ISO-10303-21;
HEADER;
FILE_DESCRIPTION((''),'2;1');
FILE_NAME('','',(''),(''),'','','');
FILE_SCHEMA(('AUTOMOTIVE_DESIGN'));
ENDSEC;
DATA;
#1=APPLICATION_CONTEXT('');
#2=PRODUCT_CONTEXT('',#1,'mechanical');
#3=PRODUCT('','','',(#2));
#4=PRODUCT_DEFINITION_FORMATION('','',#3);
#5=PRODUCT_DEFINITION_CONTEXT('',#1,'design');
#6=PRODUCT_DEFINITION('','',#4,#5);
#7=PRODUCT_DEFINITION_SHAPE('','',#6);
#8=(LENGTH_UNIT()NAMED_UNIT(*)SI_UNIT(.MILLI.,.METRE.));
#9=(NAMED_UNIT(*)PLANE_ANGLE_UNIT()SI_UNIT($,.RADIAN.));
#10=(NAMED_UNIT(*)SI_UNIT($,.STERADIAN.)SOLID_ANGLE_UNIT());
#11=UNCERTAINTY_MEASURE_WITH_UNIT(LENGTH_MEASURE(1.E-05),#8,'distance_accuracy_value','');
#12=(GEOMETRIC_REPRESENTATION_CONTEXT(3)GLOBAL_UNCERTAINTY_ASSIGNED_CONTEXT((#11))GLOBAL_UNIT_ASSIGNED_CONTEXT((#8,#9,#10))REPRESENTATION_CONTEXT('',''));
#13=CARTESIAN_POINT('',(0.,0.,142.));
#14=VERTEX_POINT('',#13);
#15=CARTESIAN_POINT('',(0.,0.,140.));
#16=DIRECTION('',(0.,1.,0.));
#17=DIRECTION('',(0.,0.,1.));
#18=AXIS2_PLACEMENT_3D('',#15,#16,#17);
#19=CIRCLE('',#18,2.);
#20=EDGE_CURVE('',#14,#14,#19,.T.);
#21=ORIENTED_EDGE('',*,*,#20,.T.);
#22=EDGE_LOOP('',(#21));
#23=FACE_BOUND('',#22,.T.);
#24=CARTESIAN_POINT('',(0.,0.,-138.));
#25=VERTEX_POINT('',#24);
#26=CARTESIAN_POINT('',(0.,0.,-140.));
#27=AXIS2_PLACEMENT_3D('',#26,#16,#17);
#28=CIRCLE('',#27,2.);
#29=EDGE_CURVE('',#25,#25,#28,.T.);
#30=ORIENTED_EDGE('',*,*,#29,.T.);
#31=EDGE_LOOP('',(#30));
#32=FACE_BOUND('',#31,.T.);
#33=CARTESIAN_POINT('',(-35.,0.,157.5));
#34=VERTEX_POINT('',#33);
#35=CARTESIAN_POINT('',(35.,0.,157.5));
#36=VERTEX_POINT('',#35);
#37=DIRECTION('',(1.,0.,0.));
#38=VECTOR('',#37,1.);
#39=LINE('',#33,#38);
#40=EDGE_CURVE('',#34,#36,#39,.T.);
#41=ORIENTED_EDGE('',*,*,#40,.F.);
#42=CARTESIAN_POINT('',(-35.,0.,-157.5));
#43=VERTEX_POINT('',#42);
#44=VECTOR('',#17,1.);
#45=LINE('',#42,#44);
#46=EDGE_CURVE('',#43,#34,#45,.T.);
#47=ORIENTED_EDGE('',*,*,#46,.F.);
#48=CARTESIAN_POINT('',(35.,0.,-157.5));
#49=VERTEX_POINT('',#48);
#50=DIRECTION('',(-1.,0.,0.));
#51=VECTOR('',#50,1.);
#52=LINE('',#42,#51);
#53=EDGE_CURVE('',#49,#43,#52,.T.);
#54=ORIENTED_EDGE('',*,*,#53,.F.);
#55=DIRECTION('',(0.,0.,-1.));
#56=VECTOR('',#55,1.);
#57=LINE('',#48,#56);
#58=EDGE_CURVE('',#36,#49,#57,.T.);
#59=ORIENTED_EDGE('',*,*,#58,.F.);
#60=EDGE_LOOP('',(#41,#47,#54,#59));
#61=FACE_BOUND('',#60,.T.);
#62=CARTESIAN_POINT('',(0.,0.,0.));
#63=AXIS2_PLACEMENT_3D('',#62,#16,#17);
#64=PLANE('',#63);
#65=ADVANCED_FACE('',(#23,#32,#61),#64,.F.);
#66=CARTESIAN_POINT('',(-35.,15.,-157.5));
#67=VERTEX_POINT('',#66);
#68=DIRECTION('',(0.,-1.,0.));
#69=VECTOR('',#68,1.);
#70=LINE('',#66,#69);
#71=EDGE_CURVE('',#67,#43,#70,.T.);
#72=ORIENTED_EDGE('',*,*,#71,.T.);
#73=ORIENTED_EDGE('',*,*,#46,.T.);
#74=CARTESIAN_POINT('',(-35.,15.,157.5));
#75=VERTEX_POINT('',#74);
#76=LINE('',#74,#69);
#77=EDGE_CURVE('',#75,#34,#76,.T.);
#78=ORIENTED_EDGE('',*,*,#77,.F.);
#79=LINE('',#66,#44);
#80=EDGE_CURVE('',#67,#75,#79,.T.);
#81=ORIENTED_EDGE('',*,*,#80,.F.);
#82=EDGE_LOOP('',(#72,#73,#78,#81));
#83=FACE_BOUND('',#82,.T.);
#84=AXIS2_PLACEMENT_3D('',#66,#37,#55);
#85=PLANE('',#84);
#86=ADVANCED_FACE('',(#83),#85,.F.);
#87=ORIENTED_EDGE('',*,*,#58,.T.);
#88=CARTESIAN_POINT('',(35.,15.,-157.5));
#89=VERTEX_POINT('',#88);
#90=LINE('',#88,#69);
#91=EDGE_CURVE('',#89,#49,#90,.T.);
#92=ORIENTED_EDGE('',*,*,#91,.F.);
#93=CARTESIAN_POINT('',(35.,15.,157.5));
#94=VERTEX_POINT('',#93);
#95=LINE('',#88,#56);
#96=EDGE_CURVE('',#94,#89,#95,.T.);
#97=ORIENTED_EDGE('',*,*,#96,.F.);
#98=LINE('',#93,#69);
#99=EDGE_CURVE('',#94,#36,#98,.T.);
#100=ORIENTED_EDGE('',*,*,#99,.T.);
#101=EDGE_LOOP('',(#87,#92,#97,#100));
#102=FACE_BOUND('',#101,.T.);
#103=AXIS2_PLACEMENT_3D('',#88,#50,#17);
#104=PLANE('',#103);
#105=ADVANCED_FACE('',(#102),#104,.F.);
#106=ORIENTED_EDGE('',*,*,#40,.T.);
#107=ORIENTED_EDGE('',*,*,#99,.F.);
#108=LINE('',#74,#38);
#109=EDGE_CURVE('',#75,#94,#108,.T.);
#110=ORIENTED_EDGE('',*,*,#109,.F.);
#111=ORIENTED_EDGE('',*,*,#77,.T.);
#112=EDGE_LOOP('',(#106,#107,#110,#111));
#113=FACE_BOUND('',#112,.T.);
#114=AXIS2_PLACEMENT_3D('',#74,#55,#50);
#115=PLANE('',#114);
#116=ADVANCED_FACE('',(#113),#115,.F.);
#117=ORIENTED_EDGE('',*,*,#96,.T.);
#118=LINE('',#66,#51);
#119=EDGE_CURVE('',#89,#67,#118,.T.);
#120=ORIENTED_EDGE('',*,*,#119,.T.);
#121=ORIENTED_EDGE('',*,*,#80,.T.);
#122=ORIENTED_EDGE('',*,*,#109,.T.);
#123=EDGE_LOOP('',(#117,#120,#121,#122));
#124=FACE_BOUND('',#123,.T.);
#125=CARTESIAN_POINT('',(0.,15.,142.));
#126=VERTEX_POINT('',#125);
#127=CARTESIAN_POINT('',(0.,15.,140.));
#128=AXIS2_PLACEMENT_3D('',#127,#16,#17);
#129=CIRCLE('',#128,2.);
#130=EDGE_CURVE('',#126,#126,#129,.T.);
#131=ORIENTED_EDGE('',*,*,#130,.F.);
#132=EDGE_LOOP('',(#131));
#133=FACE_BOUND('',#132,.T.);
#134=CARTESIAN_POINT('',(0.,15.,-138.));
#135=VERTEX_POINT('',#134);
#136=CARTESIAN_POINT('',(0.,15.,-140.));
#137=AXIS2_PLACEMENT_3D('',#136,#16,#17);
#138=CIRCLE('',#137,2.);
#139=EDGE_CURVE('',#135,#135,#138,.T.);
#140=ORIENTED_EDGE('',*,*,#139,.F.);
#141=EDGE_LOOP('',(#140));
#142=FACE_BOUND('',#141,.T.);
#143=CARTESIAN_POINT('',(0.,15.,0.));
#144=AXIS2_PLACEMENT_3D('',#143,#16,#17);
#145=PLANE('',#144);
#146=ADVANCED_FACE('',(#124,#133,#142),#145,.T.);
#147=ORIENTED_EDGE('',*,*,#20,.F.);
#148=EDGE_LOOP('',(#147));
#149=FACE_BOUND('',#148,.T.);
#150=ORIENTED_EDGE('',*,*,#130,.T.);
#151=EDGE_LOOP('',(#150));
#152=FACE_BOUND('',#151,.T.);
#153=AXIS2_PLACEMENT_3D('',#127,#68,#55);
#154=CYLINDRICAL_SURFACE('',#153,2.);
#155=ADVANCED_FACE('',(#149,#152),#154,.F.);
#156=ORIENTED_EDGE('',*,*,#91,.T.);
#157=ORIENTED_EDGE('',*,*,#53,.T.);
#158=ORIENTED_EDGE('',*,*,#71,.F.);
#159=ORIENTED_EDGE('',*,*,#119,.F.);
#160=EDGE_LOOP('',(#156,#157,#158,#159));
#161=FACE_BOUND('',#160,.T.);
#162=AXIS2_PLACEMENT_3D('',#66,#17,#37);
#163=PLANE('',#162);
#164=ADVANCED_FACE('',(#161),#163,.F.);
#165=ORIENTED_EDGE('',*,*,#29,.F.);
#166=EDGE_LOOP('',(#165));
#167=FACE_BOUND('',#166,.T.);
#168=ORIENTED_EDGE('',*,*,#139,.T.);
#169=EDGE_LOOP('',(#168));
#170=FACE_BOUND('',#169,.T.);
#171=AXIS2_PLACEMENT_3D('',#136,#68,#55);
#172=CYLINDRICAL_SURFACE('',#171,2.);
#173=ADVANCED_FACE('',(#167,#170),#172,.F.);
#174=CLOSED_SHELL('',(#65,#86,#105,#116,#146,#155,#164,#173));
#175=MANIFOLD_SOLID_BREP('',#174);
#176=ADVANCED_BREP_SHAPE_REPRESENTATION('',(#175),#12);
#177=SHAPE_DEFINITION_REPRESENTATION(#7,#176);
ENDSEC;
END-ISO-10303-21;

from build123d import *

# Parameters (mm, degrees)
SKETCH1_W           = 70
SKETCH1_H           = 315
SKETCH1_R           = 2
BOSS_EXTRUDE1_DEPTH = 15


with BuildPart() as part:
    # Sketch1 → Boss-Extrude1 (new body)
    with BuildSketch(Plane(origin=(0, 0, 0), x_dir=(1, 0, 0), z_dir=(0, 1, 0))):
        Rectangle(SKETCH1_W, SKETCH1_H)
        with Locations(Location((0, 140, 0), (0, 0, 270))):
            Circle(SKETCH1_R, mode=Mode.SUBTRACT)
        with Locations(Location((0, -140, 0), (0, 0, 270))):
            Circle(SKETCH1_R, mode=Mode.SUBTRACT)
    extrude(amount=BOSS_EXTRUDE1_DEPTH)


solid = part.part
